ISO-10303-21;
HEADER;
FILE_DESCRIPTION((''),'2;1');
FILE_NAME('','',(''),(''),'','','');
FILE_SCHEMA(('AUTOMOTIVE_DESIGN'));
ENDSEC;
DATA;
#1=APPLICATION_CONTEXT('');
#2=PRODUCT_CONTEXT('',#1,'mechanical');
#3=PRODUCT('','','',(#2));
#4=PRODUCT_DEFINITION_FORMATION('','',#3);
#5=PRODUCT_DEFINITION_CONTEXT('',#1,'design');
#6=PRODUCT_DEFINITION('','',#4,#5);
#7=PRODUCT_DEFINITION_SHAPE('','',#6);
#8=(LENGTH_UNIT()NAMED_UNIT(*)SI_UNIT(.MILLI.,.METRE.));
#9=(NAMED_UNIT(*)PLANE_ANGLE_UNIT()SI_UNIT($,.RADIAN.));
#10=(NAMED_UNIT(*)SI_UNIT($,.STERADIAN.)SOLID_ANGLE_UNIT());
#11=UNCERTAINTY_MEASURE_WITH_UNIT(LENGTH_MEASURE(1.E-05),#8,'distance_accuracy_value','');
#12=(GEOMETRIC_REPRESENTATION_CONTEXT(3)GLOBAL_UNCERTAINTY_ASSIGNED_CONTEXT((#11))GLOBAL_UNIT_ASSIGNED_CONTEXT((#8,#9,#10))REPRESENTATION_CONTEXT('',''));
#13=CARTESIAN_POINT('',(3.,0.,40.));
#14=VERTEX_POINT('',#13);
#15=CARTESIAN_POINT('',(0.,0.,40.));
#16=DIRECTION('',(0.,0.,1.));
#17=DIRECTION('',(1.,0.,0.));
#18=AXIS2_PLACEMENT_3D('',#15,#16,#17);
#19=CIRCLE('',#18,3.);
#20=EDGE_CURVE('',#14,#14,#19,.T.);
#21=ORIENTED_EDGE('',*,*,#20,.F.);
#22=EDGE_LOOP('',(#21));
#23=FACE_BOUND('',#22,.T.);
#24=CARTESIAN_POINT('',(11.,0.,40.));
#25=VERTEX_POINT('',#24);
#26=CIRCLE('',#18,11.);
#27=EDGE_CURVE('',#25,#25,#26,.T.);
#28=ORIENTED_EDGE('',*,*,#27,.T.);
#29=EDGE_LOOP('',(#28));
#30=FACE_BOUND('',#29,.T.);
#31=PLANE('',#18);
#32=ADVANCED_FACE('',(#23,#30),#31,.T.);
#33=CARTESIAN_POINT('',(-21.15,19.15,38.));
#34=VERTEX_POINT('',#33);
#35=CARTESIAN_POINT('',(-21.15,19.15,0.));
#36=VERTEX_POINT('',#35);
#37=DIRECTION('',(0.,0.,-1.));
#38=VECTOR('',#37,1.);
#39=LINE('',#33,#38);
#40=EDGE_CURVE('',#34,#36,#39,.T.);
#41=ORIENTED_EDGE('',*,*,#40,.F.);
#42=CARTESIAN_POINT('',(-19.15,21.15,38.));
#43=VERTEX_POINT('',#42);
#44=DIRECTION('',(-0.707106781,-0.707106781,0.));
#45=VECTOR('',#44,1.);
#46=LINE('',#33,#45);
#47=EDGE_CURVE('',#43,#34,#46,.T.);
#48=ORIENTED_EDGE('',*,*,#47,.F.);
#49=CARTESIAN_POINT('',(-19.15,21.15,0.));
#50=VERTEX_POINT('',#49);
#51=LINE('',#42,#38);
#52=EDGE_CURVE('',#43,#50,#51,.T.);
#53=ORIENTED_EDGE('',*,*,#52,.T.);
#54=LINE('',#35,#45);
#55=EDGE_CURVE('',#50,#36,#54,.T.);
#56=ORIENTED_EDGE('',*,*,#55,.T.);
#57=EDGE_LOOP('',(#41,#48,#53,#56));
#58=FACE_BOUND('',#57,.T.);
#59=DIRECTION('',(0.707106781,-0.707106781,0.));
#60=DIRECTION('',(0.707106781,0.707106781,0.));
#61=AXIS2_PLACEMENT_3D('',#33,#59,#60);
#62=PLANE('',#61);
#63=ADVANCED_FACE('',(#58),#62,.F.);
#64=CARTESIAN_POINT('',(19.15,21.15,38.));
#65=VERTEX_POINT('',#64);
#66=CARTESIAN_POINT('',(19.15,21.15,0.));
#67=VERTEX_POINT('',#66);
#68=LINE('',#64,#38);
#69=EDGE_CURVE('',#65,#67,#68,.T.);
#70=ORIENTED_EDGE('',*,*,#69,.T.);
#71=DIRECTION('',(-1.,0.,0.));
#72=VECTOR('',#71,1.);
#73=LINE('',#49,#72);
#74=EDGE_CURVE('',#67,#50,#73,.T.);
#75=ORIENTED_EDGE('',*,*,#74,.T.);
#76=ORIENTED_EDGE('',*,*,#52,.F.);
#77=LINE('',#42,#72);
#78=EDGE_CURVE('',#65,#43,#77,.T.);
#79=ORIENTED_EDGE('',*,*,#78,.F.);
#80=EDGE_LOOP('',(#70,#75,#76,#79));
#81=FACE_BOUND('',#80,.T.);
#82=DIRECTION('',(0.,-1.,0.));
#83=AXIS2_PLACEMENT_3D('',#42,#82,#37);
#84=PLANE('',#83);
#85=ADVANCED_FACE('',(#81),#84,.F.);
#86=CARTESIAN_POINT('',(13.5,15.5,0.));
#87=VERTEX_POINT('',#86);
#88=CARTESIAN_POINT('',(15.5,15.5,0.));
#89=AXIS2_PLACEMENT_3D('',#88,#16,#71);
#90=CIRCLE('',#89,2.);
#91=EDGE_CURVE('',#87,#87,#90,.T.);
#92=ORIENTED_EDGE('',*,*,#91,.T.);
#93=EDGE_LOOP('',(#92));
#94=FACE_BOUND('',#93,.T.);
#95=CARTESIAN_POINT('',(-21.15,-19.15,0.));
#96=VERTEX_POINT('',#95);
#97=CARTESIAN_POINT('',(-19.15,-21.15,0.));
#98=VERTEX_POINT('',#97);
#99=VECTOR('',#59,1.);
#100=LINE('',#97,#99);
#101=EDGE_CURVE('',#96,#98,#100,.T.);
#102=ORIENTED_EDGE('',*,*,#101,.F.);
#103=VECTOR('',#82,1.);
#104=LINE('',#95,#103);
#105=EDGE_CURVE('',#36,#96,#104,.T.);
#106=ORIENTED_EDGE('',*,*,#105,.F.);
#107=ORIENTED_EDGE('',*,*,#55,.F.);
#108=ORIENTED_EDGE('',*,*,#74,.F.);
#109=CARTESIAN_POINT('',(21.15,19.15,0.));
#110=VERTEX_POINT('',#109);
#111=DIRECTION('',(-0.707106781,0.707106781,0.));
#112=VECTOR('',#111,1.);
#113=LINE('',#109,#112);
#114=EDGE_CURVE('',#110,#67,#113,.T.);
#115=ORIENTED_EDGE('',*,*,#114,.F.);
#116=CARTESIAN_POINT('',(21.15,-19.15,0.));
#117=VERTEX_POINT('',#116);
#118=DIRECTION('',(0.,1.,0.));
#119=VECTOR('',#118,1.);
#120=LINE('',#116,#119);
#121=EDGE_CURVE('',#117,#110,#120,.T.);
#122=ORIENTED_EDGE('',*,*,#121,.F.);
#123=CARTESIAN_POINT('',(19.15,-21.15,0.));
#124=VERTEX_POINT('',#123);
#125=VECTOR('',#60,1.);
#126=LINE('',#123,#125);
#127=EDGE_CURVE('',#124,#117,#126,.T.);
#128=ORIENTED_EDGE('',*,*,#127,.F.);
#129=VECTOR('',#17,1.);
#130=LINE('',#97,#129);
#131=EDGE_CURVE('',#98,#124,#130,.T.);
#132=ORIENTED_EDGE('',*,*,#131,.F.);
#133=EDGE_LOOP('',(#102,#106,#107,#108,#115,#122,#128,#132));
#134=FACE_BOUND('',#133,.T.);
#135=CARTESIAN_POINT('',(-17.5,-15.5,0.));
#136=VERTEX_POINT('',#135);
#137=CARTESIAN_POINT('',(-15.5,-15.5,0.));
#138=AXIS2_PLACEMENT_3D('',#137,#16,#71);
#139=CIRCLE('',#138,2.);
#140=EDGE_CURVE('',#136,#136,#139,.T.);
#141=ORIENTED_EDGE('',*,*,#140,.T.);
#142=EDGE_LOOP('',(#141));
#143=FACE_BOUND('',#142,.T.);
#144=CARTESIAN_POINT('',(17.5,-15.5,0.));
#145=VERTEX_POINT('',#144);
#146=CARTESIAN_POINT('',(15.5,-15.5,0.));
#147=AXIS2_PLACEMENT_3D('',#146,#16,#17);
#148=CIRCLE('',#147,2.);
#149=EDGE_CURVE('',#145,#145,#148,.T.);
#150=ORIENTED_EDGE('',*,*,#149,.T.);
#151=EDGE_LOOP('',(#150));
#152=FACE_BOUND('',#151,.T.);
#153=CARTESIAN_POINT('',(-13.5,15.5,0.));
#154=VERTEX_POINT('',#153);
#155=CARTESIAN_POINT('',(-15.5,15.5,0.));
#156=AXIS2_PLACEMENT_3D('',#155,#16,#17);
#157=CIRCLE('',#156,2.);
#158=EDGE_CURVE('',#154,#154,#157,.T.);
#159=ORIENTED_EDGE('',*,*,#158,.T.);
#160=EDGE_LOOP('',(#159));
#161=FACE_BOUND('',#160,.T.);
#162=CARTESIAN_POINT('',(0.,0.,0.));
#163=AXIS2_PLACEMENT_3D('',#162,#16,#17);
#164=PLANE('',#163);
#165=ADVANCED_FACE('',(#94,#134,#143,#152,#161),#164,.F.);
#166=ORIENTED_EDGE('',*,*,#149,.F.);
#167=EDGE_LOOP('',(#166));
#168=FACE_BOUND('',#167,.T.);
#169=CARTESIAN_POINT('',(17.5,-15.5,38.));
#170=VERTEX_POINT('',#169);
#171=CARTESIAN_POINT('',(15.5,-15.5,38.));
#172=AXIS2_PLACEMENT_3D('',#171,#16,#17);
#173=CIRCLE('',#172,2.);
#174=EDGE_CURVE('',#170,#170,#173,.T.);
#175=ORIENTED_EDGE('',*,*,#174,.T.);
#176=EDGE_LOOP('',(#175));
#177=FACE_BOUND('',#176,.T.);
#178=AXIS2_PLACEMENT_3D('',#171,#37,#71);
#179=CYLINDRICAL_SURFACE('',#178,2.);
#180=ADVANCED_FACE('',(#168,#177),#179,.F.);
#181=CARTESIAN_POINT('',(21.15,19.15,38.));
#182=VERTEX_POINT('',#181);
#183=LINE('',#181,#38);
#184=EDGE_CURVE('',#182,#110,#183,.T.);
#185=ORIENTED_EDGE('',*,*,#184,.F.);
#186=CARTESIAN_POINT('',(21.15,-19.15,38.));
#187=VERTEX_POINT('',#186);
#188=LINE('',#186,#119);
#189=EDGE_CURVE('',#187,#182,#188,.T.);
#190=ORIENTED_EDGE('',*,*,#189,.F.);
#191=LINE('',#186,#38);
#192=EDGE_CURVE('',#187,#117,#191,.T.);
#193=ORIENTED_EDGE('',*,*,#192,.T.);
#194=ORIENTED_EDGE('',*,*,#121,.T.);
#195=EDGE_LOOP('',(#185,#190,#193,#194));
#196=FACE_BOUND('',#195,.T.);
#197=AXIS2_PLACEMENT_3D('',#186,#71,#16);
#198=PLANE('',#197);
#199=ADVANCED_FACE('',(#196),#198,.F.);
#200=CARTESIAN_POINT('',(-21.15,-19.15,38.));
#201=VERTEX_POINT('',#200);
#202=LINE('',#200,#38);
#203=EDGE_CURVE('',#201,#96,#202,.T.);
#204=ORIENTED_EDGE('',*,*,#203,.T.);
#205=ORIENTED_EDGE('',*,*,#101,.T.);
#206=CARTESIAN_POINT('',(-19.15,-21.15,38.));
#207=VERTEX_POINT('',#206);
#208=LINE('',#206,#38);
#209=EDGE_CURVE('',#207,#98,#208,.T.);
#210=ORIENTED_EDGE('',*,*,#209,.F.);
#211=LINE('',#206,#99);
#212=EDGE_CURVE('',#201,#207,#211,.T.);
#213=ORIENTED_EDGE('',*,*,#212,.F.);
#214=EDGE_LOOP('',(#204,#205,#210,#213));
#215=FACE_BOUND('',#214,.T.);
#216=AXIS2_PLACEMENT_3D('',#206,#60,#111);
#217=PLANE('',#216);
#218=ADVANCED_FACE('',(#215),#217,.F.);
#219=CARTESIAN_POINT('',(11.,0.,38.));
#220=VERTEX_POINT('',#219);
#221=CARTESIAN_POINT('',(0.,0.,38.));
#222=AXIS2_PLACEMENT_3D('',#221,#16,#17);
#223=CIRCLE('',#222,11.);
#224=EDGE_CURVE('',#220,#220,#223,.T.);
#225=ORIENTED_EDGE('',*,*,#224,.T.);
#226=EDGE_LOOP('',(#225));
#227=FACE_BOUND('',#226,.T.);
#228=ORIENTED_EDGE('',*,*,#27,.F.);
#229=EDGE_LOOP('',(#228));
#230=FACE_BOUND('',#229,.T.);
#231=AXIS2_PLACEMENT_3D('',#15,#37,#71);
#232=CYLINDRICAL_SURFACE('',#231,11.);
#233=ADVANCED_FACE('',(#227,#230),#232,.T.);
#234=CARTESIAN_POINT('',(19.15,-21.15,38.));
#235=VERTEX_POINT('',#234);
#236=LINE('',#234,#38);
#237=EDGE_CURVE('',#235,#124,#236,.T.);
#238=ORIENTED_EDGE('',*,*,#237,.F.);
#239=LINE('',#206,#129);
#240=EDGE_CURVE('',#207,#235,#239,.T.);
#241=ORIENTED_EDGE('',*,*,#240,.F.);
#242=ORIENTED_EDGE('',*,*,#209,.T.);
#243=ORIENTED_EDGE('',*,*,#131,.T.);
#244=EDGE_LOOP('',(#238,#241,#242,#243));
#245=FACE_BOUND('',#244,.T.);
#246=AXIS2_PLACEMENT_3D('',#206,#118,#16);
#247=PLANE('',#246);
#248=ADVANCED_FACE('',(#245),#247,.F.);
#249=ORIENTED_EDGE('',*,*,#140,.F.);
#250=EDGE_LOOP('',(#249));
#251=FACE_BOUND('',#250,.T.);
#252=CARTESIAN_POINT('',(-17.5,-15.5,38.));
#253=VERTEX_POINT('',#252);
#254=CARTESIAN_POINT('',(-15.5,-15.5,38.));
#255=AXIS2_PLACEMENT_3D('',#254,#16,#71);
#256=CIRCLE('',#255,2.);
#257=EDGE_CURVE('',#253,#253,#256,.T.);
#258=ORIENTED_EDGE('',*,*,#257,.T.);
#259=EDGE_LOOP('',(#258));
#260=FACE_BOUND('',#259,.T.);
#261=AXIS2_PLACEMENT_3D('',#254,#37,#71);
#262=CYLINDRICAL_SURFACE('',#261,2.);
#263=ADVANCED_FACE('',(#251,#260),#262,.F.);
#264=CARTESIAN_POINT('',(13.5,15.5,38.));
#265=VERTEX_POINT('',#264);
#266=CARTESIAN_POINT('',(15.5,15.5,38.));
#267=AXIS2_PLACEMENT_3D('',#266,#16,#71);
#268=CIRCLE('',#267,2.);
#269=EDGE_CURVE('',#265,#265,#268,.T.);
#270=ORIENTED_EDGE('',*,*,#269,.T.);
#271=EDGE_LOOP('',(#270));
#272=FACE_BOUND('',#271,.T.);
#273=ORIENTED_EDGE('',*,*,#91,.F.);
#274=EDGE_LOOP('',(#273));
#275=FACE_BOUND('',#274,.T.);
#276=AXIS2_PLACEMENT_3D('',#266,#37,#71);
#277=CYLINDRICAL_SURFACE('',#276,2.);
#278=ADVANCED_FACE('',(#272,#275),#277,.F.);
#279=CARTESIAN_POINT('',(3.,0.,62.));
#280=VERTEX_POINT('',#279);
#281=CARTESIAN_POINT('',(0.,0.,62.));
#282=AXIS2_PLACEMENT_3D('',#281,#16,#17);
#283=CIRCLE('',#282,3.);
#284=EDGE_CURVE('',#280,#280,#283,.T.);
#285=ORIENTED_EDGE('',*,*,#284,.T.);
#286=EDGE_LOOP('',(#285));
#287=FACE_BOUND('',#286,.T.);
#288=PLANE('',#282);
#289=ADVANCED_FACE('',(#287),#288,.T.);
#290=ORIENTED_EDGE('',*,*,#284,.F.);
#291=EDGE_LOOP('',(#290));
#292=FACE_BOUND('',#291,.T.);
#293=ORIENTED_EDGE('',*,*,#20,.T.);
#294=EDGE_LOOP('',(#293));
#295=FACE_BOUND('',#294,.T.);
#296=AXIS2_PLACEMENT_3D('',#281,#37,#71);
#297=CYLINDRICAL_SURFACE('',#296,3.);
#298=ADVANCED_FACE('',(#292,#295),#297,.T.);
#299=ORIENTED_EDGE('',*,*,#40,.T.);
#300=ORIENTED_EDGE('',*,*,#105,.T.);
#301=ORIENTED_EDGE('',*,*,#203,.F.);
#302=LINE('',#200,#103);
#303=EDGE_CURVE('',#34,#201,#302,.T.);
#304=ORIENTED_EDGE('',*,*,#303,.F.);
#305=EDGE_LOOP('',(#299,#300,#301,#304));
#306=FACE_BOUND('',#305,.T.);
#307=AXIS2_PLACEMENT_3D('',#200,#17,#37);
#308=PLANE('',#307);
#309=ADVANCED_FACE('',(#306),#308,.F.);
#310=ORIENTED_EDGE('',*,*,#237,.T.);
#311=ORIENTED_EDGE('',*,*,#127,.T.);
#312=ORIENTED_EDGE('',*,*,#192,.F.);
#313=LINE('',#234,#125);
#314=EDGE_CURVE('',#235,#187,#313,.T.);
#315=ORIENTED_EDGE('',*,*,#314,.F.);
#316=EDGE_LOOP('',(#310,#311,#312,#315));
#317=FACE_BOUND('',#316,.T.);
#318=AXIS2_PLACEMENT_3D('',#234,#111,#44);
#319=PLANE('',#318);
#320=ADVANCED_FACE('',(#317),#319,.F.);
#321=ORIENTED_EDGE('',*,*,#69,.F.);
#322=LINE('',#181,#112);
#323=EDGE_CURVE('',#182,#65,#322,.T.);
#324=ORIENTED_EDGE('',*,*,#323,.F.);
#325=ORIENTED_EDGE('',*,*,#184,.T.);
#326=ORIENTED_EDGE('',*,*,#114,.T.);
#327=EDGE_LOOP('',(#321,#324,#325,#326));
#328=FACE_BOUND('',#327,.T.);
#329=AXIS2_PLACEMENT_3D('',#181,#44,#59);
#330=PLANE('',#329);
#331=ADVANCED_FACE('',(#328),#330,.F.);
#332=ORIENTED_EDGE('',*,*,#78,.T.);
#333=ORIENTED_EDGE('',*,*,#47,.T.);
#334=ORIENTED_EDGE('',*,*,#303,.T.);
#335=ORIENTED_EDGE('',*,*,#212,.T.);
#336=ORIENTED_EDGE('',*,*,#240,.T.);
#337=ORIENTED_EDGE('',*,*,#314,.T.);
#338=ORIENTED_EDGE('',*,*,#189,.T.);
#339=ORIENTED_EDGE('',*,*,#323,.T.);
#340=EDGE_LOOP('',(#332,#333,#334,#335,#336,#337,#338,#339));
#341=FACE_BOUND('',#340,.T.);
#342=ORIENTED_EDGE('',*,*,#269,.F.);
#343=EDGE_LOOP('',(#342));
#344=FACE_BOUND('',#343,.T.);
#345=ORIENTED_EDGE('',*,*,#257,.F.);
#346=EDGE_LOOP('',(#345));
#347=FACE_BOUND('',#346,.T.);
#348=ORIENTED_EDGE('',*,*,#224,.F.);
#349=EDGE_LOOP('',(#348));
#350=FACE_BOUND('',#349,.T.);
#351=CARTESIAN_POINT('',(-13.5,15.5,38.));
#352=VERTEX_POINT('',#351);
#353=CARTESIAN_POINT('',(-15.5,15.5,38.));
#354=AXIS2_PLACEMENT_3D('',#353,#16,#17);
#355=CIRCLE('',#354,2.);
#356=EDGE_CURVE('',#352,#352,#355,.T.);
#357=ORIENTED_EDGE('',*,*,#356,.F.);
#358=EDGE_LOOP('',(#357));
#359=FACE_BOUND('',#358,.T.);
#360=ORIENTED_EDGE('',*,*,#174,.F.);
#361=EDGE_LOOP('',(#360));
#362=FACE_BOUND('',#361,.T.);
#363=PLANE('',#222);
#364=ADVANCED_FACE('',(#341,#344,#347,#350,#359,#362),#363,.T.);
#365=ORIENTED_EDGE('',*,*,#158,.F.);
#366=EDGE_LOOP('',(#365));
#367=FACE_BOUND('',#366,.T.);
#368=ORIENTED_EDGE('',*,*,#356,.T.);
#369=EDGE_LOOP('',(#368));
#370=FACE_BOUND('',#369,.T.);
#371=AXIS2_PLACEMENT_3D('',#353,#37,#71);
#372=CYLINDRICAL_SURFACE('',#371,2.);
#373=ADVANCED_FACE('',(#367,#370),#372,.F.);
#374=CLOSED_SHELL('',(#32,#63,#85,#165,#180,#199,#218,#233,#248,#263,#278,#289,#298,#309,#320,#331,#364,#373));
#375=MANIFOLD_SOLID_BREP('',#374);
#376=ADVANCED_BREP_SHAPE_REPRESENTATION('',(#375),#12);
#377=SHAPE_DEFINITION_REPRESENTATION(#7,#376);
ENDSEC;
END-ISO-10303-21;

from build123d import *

# Parameters (mm, degrees)
ESQUISSE1_R              = 2
BASE_RECTANGULAIRE_DEPTH = 38
ESQUISSE2_R              = 11
BOSS_DISQUE_DEPTH        = 2
ESQUISSE3_R              = 3
BOSS_AXE_DEPTH           = 22


with BuildPart() as part:
    # Esquisse1 → BASE RECTANGULAIRE (new body)
    with BuildSketch(Plane.XY):
        Polygon((-19.15, -21.15), (19.15, -21.15), (21.15, -19.15), (21.15, 19.15), (19.15, 21.15), (-19.15, 21.15), (-21.15, 19.15), (-21.15, -19.15), align=None)
        with Locations((-15.5, 15.5)):
            Circle(ESQUISSE1_R, mode=Mode.SUBTRACT)
        with Locations(Location((15.5, 15.5, 0), (0, 0, 180))):
            Circle(ESQUISSE1_R, mode=Mode.SUBTRACT)
        with Locations((15.5, -15.5)):
            Circle(ESQUISSE1_R, mode=Mode.SUBTRACT)
        with Locations(Location((-15.5, -15.5, 0), (0, 0, 180))):
            Circle(ESQUISSE1_R, mode=Mode.SUBTRACT)
    extrude(amount=BASE_RECTANGULAIRE_DEPTH)

    # Esquisse2 → BOSS DISQUE (add)
    with BuildSketch(Plane.XY.offset(38)):
        Circle(ESQUISSE2_R)
    extrude(amount=BOSS_DISQUE_DEPTH)

    # Esquisse3 → BOSS AXE (add)
    with BuildSketch(Plane.XY.offset(40)):
        Circle(ESQUISSE3_R)
    extrude(amount=BOSS_AXE_DEPTH)


solid = part.part
